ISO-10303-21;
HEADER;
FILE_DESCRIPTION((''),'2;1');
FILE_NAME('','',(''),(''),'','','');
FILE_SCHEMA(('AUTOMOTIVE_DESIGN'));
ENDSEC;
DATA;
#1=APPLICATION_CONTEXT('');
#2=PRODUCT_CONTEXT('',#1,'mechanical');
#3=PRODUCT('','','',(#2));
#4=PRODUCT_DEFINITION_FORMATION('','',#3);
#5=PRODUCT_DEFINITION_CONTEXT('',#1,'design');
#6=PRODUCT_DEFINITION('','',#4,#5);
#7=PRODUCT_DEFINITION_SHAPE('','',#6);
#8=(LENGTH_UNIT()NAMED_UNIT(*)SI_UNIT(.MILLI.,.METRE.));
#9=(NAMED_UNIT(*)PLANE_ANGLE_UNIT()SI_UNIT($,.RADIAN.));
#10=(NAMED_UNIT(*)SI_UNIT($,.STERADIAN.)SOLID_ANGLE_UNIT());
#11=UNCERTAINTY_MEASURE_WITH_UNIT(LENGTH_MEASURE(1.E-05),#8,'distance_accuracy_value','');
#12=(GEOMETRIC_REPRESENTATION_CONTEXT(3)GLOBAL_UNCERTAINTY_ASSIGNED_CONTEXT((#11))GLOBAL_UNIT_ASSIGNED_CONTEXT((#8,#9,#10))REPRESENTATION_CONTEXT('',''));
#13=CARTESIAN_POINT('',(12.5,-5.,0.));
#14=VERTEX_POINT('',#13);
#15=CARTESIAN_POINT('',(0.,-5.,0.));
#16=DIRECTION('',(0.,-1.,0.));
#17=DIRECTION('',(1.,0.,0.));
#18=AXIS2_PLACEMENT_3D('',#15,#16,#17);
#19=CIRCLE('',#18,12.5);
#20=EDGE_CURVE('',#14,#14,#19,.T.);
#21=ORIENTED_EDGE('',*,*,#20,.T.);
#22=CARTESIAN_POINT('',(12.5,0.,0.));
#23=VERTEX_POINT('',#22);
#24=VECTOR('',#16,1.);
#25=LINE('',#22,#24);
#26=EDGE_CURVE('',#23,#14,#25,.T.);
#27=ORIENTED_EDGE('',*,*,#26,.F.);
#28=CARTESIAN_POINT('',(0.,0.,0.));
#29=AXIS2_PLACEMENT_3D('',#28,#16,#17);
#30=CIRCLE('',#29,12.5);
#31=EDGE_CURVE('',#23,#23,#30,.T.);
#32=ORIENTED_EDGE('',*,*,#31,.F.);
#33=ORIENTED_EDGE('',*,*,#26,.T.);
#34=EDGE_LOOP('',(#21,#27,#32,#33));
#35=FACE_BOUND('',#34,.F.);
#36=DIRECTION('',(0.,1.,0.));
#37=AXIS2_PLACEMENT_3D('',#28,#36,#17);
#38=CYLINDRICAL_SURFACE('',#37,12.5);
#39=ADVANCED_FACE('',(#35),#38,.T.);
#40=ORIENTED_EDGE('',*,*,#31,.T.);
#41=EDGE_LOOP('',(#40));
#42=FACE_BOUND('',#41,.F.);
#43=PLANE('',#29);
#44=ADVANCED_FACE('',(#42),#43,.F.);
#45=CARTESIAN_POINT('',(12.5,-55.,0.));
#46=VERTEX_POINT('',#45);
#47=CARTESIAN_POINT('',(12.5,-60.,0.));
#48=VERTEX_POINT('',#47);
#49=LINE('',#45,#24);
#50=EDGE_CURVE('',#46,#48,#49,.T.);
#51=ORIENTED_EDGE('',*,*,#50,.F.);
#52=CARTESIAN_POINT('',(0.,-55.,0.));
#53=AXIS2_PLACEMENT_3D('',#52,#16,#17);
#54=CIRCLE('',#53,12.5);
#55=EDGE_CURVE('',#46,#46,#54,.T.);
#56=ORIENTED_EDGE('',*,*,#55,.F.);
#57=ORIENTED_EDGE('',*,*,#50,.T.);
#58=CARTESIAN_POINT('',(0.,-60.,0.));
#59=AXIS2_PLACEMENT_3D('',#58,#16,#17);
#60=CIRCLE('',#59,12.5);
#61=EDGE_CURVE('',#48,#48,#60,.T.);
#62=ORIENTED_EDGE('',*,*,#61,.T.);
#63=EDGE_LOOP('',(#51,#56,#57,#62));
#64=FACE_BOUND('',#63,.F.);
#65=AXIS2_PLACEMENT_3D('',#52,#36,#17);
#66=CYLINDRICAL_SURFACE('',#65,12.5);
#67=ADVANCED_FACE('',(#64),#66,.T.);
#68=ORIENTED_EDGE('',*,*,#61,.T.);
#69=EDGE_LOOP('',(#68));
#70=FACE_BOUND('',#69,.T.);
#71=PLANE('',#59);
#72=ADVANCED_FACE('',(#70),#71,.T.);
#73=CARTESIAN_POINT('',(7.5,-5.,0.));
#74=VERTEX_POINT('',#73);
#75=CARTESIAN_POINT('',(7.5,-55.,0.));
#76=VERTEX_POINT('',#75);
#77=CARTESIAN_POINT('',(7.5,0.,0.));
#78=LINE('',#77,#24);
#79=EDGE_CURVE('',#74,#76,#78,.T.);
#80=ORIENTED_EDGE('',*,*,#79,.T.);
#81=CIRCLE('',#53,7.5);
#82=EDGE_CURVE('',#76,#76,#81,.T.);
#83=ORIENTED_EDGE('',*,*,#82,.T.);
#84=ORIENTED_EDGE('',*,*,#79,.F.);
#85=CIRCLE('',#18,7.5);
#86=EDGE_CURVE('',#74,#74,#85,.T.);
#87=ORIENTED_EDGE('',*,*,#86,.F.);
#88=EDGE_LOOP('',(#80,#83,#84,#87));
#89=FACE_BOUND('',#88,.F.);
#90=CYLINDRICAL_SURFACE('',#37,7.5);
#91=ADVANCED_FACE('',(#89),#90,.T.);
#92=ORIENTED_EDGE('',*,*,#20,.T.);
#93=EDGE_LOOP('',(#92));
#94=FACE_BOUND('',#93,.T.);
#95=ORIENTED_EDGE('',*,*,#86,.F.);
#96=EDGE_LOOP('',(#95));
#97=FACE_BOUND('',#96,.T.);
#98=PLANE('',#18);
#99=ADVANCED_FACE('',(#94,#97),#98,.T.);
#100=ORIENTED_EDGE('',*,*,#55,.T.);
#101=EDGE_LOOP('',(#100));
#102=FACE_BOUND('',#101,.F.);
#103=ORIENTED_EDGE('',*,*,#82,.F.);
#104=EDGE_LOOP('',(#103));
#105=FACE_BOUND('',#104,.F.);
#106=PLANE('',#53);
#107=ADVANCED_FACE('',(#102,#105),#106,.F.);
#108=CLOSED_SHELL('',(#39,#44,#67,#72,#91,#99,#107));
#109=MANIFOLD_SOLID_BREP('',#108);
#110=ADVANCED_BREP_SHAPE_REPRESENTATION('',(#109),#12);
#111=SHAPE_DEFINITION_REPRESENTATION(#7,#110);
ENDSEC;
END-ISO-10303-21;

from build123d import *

# Parameters (mm, degrees)
F0_R     = 7.5
F1_DEPTH = 60
F0_R_2   = 12.5
F2_DEPTH = 5
F3_START = 55
F3_DEPTH = 5


with BuildPart() as f1:
    # F0 (on Front) → F1 (new body)
    with BuildSketch(Plane.XZ):
        Circle(F0_R)
    extrude(amount=F1_DEPTH)

    # F0 (on Front) → F2 (join)
    with BuildSketch(Plane.XZ):
        Circle(F0_R_2)
        Circle(F0_R, mode=Mode.SUBTRACT)
    extrude(amount=F2_DEPTH)

    # F0 (on Front) → F3 (join)
    with BuildSketch(Plane.XZ.offset(F3_START)):
        Circle(F0_R_2)
        Circle(F0_R, mode=Mode.SUBTRACT)
    extrude(amount=F3_DEPTH)


solid = f1.part
